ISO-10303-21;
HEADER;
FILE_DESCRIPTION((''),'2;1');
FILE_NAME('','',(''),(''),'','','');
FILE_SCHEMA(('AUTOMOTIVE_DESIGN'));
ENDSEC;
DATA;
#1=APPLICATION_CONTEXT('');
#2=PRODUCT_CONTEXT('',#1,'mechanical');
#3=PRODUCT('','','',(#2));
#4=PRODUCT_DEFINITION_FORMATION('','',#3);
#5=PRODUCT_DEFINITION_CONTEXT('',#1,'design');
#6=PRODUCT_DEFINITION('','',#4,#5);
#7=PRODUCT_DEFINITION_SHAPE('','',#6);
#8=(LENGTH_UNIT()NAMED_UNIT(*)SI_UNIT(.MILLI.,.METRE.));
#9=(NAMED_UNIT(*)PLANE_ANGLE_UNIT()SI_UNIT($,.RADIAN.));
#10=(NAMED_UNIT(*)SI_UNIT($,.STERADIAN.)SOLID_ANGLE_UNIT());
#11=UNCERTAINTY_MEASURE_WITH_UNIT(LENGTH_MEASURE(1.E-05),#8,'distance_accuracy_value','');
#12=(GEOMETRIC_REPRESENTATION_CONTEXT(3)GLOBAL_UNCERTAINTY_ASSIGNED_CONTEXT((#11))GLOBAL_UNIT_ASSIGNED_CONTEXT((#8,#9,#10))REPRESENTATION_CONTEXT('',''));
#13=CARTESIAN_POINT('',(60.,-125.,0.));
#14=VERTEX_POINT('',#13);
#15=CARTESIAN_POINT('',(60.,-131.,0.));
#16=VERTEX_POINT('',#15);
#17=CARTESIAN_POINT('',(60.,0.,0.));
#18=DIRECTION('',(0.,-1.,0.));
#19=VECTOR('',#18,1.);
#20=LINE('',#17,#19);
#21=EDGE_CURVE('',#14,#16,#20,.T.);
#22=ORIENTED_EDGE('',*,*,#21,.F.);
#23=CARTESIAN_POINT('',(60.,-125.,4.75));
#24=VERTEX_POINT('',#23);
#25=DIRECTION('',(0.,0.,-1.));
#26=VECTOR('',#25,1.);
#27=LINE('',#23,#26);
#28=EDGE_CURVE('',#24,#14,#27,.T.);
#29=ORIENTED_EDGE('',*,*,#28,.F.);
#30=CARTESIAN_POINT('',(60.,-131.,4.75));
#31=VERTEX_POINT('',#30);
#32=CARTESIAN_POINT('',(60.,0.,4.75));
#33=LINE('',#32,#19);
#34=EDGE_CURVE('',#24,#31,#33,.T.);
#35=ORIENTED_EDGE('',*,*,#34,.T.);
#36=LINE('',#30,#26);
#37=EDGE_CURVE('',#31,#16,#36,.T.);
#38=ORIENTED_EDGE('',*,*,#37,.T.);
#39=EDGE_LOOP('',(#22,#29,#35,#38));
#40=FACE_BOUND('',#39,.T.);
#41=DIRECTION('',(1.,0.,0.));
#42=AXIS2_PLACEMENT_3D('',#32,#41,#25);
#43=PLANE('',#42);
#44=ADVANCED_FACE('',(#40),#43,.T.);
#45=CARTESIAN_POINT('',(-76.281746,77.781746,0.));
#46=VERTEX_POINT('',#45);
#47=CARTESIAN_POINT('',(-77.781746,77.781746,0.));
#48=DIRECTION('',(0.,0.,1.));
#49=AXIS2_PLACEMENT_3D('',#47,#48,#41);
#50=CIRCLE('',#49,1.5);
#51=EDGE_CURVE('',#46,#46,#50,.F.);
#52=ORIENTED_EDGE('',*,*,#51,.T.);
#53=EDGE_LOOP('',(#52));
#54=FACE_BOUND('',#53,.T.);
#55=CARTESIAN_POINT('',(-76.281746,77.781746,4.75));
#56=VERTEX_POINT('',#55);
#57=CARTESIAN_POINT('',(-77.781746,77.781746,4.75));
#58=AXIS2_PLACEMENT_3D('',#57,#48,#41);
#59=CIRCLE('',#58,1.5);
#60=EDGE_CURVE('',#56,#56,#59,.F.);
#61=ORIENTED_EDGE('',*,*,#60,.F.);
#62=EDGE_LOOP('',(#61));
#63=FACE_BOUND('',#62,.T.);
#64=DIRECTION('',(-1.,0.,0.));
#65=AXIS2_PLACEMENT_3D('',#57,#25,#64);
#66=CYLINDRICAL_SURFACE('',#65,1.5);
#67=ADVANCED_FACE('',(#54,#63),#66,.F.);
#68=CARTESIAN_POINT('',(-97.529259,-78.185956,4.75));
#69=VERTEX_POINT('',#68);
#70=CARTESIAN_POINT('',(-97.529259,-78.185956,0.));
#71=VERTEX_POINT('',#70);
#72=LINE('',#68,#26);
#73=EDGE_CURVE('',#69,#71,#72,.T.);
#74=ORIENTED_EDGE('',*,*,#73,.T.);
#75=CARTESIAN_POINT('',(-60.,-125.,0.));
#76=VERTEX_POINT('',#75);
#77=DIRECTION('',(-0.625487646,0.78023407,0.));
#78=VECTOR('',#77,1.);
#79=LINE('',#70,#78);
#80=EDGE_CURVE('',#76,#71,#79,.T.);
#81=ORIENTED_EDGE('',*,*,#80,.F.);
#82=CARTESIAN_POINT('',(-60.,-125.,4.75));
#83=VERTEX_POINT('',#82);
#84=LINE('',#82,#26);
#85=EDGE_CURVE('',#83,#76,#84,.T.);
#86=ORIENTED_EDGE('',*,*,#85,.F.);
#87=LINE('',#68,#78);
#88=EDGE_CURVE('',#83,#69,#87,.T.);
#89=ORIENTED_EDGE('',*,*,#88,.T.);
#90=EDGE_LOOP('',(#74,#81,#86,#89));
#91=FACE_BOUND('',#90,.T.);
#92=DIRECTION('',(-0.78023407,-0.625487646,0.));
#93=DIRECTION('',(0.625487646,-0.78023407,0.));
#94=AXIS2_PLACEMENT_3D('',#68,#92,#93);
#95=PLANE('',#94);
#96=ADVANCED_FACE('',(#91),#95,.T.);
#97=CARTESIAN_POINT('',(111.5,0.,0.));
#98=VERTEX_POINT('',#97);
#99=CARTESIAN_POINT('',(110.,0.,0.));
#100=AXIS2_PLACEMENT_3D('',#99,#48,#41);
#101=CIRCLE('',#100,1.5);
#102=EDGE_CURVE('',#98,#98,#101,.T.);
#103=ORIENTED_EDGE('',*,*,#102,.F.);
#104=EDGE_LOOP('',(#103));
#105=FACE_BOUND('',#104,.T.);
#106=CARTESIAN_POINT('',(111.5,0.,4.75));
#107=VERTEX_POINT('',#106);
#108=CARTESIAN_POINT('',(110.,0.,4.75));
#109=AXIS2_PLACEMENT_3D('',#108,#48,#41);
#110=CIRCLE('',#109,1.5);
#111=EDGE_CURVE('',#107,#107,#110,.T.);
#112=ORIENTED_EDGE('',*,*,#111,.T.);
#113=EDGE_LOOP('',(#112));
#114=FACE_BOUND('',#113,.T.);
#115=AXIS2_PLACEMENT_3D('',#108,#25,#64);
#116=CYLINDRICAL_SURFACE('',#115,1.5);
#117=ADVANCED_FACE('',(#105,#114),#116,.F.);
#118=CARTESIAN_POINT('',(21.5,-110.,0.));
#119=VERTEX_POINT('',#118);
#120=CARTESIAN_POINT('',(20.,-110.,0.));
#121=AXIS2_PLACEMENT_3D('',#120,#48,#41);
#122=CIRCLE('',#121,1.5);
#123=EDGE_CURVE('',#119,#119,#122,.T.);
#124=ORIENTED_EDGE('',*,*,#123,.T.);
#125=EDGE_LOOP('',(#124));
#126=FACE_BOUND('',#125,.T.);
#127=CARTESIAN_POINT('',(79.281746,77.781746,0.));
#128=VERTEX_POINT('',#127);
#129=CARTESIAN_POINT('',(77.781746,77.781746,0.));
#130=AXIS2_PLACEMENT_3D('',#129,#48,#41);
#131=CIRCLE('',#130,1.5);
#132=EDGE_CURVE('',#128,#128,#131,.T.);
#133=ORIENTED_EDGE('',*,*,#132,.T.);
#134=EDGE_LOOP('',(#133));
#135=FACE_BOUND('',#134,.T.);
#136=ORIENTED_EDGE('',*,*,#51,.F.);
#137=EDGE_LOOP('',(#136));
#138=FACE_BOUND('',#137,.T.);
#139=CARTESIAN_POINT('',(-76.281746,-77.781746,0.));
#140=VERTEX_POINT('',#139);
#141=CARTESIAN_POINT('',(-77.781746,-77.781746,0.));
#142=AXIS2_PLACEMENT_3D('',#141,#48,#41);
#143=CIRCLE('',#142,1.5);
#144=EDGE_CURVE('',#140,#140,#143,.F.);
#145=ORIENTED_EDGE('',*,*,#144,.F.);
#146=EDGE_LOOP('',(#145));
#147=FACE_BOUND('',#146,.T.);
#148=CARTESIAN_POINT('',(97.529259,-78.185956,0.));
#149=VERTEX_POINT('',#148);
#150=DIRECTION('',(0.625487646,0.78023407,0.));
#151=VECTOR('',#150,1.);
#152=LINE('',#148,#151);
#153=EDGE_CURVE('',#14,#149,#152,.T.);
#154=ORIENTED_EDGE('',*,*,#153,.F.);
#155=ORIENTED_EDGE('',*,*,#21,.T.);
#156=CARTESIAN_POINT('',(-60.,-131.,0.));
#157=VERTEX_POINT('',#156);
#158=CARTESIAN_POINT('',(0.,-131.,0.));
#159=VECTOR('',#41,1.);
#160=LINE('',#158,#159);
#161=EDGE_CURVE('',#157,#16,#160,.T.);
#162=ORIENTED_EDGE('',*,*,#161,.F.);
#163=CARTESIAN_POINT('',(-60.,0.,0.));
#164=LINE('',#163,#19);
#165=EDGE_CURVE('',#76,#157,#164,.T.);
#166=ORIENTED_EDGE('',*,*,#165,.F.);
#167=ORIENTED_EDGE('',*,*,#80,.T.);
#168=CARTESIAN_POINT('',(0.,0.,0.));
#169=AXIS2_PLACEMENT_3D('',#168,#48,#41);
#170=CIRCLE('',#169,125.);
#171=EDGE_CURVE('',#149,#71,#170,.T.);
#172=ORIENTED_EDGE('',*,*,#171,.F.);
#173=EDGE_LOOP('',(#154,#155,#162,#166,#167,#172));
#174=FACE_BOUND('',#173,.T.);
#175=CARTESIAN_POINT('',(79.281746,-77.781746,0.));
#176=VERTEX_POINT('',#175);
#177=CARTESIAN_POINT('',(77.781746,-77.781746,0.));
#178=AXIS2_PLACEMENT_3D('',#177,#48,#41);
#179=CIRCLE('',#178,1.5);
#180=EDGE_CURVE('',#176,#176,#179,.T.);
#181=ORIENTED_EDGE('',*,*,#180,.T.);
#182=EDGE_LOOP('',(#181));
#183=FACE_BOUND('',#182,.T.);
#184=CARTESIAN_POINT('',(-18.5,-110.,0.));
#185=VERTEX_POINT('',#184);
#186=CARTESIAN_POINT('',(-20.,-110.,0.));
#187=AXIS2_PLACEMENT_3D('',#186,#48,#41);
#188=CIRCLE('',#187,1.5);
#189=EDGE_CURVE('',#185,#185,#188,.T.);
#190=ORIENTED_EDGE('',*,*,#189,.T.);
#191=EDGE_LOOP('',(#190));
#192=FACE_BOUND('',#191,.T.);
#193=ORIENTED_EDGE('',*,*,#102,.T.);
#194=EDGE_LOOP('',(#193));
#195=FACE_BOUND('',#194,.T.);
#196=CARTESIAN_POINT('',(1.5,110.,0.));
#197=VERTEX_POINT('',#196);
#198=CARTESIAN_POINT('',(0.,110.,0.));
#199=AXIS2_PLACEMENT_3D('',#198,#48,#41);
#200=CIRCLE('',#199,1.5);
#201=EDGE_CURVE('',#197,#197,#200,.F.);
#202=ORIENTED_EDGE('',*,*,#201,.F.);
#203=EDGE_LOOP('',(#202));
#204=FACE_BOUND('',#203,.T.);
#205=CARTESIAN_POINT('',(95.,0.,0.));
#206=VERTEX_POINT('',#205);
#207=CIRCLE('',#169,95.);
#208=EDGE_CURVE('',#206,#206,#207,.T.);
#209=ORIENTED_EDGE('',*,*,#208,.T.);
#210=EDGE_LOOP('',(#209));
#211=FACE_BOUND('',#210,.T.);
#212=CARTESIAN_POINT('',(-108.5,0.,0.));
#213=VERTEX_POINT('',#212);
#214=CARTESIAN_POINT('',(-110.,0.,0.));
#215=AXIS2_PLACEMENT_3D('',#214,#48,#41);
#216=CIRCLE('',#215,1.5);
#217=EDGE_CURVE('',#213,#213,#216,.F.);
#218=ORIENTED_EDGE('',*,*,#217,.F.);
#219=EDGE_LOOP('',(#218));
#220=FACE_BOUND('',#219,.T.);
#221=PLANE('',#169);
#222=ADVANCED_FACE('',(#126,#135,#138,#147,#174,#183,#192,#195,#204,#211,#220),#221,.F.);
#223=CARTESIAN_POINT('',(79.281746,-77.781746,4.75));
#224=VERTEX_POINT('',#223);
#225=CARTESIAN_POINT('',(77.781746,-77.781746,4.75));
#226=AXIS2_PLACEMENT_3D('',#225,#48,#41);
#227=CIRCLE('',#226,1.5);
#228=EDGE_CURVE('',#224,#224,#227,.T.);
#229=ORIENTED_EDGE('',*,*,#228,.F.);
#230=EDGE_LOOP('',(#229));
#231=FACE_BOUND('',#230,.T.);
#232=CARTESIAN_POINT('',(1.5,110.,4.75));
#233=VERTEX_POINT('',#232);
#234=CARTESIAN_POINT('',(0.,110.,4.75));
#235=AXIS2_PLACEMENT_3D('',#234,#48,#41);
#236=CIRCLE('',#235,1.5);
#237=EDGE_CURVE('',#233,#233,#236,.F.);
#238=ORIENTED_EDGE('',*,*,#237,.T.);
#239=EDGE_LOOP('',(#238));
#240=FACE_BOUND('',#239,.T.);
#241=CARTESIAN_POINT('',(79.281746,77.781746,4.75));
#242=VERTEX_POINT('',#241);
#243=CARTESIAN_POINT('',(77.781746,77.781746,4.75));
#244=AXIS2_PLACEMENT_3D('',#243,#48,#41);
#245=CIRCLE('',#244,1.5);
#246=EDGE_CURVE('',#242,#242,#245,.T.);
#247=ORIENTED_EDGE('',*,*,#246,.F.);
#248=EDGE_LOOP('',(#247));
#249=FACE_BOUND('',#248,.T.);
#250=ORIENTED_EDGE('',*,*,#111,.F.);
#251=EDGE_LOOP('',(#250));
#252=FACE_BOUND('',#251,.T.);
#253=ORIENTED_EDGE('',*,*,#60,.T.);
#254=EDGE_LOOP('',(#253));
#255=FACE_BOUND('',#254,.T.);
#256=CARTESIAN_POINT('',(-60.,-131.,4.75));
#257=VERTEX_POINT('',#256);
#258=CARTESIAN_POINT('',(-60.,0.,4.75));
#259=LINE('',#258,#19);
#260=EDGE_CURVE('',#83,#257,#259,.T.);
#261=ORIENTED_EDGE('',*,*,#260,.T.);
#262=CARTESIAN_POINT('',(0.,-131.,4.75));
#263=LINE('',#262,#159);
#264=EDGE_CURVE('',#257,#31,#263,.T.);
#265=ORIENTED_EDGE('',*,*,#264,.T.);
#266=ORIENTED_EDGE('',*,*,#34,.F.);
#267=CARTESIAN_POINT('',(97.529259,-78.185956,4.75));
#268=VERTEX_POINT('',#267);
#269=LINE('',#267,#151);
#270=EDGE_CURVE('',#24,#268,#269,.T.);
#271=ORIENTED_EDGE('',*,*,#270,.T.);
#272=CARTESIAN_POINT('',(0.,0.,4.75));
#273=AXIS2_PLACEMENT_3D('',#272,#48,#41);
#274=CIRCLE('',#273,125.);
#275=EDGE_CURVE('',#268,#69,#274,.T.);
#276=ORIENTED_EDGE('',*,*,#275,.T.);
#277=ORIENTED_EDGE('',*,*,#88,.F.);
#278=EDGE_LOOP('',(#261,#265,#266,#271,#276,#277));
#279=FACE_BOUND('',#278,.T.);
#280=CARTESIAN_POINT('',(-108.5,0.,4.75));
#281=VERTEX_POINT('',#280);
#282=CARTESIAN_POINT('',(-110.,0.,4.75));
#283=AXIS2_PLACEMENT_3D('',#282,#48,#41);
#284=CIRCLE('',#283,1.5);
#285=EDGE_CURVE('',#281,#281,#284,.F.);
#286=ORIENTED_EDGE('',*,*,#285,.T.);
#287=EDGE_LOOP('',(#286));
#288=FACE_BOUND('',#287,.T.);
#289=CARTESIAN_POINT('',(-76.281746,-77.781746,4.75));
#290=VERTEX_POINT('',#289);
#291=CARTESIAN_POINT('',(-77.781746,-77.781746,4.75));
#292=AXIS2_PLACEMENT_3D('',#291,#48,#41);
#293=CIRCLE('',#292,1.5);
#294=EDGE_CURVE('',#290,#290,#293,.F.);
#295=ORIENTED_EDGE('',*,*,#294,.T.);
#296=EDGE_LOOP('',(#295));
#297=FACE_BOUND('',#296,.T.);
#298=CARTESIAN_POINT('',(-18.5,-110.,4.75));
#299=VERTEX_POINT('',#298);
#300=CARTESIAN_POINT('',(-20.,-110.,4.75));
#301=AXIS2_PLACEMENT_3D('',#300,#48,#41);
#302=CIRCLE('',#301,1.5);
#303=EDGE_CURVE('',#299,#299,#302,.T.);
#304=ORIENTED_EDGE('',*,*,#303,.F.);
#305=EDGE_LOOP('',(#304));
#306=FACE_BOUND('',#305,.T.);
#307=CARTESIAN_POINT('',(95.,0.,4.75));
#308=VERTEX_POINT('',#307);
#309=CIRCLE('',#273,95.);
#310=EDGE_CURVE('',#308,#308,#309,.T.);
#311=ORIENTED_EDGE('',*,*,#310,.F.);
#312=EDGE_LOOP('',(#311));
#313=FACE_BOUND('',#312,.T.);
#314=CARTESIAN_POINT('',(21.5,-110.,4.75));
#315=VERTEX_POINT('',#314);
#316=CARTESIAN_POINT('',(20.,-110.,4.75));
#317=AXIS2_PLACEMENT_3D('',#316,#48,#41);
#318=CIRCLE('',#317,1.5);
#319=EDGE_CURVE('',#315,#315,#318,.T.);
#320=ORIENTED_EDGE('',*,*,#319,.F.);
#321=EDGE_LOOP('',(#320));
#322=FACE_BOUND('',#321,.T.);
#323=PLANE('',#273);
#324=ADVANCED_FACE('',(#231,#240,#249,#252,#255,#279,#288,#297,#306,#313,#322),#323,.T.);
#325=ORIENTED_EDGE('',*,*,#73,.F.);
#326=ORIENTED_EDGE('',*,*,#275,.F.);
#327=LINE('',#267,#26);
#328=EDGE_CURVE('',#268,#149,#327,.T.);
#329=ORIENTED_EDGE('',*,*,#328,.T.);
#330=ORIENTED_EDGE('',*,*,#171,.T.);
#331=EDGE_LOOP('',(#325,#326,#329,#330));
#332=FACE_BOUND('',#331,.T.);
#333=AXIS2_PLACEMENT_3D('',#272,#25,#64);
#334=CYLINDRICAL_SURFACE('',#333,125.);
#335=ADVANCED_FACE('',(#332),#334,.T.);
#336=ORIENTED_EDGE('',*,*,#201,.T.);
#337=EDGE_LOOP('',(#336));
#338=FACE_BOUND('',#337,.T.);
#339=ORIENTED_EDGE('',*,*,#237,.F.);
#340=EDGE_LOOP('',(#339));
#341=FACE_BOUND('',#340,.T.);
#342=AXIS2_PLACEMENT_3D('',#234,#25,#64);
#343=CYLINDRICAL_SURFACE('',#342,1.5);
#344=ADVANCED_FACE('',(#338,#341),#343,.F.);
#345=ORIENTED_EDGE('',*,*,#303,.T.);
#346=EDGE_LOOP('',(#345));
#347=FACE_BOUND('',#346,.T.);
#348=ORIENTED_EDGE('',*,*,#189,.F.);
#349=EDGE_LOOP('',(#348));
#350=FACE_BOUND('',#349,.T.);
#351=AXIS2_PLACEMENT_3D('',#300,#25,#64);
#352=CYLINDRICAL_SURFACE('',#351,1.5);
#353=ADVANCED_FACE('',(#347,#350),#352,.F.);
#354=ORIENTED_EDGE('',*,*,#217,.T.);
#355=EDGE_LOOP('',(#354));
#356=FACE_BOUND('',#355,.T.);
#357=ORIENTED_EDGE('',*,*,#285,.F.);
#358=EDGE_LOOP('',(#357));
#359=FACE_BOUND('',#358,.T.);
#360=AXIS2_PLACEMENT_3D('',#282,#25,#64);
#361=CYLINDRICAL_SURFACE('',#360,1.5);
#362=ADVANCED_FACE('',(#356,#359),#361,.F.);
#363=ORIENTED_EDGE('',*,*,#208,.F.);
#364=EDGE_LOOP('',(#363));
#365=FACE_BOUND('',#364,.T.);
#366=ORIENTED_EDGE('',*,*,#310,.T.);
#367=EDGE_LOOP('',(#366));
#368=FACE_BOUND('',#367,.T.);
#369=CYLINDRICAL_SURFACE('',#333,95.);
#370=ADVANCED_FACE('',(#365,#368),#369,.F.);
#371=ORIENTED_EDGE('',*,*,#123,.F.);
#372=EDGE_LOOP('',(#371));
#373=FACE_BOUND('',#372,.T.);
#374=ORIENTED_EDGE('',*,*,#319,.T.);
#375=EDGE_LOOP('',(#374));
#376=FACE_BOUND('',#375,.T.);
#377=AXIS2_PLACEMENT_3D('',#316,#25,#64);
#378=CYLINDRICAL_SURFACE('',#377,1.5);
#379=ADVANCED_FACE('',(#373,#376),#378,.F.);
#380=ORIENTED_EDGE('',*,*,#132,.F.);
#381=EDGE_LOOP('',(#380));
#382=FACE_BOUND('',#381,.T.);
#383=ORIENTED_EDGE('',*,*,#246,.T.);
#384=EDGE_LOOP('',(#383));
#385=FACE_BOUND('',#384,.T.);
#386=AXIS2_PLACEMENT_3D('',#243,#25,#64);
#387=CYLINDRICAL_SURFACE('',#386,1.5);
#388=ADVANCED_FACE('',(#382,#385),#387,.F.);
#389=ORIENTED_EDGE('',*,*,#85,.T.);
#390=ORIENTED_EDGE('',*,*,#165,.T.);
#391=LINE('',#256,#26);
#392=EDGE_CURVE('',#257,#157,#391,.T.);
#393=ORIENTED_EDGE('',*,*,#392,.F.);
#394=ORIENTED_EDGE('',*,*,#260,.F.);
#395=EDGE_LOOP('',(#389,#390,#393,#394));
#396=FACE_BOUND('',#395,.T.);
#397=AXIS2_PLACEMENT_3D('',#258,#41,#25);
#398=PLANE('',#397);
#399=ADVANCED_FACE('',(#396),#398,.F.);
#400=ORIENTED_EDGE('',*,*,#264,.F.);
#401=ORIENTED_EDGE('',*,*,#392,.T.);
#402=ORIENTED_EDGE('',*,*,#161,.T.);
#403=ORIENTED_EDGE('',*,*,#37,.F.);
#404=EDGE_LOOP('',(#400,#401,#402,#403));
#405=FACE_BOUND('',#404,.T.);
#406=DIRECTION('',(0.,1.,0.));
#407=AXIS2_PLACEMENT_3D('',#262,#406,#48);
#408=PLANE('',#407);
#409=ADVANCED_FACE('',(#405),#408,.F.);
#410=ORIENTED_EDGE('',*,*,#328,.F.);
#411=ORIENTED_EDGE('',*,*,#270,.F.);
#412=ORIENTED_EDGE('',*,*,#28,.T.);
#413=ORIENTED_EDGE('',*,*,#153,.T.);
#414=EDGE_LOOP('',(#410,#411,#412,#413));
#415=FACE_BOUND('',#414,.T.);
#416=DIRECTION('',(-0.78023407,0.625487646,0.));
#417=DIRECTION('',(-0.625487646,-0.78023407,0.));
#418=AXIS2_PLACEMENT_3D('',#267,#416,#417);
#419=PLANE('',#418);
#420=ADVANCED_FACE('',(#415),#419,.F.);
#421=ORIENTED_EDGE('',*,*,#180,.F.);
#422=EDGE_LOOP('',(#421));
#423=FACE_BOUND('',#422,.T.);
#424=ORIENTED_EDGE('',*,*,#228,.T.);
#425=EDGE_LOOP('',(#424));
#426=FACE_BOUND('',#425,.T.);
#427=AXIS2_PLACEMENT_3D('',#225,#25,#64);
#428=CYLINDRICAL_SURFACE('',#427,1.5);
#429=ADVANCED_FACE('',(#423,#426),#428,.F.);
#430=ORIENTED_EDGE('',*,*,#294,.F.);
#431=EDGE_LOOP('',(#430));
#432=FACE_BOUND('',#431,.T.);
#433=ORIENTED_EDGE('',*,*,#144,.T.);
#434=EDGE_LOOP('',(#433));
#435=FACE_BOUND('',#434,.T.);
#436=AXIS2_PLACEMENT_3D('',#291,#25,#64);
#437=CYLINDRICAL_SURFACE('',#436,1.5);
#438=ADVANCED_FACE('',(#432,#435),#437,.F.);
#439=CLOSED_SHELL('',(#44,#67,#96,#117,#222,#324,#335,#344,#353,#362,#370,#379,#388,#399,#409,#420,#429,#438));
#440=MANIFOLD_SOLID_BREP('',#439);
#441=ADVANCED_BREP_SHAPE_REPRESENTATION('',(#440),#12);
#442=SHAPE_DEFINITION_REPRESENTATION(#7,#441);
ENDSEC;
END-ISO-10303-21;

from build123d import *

# Parameters (mm, degrees)
SKETCH1_R           = 1.5
SKETCH1_R_2         = 95
BOSS_EXTRUDE1_DEPTH = 4.75


with BuildPart() as part:
    # Sketch1 → Boss-Extrude1 (new body)
    with BuildSketch(Plane.XY):
        with BuildLine():
            Line((-97.529258778, -78.185955787), (-60, -125))
            Line((-60, -125), (-60, -131))
            Line((-60, -131), (60, -131))
            Line((60, -131), (60, -125))
            Line((60, -125), (97.529258778, -78.185955787))
            ThreePointArc((97.529258778, -78.185955787), (0, 125), (-97.529258778, -78.185955787))
        make_face()
        with Locations((-77.781745931, -77.781745931)):
            Circle(SKETCH1_R, mode=Mode.SUBTRACT)
        with Locations((-20, -110)):
            Circle(SKETCH1_R, mode=Mode.SUBTRACT)
        with Locations((20, -110)):
            Circle(SKETCH1_R, mode=Mode.SUBTRACT)
        with Locations((77.781745931, -77.781745931)):
            Circle(SKETCH1_R, mode=Mode.SUBTRACT)
        with Locations((-110, 0)):
            Circle(SKETCH1_R, mode=Mode.SUBTRACT)
        with Locations((-77.781745931, 77.781745931)):
            Circle(SKETCH1_R, mode=Mode.SUBTRACT)
        Circle(SKETCH1_R_2, mode=Mode.SUBTRACT)
        with Locations((110, 0)):
            Circle(SKETCH1_R, mode=Mode.SUBTRACT)
        with Locations((0, 110)):
            Circle(SKETCH1_R, mode=Mode.SUBTRACT)
        with Locations((77.781745931, 77.781745931)):
            Circle(SKETCH1_R, mode=Mode.SUBTRACT)
    extrude(amount=BOSS_EXTRUDE1_DEPTH)


solid = part.part
